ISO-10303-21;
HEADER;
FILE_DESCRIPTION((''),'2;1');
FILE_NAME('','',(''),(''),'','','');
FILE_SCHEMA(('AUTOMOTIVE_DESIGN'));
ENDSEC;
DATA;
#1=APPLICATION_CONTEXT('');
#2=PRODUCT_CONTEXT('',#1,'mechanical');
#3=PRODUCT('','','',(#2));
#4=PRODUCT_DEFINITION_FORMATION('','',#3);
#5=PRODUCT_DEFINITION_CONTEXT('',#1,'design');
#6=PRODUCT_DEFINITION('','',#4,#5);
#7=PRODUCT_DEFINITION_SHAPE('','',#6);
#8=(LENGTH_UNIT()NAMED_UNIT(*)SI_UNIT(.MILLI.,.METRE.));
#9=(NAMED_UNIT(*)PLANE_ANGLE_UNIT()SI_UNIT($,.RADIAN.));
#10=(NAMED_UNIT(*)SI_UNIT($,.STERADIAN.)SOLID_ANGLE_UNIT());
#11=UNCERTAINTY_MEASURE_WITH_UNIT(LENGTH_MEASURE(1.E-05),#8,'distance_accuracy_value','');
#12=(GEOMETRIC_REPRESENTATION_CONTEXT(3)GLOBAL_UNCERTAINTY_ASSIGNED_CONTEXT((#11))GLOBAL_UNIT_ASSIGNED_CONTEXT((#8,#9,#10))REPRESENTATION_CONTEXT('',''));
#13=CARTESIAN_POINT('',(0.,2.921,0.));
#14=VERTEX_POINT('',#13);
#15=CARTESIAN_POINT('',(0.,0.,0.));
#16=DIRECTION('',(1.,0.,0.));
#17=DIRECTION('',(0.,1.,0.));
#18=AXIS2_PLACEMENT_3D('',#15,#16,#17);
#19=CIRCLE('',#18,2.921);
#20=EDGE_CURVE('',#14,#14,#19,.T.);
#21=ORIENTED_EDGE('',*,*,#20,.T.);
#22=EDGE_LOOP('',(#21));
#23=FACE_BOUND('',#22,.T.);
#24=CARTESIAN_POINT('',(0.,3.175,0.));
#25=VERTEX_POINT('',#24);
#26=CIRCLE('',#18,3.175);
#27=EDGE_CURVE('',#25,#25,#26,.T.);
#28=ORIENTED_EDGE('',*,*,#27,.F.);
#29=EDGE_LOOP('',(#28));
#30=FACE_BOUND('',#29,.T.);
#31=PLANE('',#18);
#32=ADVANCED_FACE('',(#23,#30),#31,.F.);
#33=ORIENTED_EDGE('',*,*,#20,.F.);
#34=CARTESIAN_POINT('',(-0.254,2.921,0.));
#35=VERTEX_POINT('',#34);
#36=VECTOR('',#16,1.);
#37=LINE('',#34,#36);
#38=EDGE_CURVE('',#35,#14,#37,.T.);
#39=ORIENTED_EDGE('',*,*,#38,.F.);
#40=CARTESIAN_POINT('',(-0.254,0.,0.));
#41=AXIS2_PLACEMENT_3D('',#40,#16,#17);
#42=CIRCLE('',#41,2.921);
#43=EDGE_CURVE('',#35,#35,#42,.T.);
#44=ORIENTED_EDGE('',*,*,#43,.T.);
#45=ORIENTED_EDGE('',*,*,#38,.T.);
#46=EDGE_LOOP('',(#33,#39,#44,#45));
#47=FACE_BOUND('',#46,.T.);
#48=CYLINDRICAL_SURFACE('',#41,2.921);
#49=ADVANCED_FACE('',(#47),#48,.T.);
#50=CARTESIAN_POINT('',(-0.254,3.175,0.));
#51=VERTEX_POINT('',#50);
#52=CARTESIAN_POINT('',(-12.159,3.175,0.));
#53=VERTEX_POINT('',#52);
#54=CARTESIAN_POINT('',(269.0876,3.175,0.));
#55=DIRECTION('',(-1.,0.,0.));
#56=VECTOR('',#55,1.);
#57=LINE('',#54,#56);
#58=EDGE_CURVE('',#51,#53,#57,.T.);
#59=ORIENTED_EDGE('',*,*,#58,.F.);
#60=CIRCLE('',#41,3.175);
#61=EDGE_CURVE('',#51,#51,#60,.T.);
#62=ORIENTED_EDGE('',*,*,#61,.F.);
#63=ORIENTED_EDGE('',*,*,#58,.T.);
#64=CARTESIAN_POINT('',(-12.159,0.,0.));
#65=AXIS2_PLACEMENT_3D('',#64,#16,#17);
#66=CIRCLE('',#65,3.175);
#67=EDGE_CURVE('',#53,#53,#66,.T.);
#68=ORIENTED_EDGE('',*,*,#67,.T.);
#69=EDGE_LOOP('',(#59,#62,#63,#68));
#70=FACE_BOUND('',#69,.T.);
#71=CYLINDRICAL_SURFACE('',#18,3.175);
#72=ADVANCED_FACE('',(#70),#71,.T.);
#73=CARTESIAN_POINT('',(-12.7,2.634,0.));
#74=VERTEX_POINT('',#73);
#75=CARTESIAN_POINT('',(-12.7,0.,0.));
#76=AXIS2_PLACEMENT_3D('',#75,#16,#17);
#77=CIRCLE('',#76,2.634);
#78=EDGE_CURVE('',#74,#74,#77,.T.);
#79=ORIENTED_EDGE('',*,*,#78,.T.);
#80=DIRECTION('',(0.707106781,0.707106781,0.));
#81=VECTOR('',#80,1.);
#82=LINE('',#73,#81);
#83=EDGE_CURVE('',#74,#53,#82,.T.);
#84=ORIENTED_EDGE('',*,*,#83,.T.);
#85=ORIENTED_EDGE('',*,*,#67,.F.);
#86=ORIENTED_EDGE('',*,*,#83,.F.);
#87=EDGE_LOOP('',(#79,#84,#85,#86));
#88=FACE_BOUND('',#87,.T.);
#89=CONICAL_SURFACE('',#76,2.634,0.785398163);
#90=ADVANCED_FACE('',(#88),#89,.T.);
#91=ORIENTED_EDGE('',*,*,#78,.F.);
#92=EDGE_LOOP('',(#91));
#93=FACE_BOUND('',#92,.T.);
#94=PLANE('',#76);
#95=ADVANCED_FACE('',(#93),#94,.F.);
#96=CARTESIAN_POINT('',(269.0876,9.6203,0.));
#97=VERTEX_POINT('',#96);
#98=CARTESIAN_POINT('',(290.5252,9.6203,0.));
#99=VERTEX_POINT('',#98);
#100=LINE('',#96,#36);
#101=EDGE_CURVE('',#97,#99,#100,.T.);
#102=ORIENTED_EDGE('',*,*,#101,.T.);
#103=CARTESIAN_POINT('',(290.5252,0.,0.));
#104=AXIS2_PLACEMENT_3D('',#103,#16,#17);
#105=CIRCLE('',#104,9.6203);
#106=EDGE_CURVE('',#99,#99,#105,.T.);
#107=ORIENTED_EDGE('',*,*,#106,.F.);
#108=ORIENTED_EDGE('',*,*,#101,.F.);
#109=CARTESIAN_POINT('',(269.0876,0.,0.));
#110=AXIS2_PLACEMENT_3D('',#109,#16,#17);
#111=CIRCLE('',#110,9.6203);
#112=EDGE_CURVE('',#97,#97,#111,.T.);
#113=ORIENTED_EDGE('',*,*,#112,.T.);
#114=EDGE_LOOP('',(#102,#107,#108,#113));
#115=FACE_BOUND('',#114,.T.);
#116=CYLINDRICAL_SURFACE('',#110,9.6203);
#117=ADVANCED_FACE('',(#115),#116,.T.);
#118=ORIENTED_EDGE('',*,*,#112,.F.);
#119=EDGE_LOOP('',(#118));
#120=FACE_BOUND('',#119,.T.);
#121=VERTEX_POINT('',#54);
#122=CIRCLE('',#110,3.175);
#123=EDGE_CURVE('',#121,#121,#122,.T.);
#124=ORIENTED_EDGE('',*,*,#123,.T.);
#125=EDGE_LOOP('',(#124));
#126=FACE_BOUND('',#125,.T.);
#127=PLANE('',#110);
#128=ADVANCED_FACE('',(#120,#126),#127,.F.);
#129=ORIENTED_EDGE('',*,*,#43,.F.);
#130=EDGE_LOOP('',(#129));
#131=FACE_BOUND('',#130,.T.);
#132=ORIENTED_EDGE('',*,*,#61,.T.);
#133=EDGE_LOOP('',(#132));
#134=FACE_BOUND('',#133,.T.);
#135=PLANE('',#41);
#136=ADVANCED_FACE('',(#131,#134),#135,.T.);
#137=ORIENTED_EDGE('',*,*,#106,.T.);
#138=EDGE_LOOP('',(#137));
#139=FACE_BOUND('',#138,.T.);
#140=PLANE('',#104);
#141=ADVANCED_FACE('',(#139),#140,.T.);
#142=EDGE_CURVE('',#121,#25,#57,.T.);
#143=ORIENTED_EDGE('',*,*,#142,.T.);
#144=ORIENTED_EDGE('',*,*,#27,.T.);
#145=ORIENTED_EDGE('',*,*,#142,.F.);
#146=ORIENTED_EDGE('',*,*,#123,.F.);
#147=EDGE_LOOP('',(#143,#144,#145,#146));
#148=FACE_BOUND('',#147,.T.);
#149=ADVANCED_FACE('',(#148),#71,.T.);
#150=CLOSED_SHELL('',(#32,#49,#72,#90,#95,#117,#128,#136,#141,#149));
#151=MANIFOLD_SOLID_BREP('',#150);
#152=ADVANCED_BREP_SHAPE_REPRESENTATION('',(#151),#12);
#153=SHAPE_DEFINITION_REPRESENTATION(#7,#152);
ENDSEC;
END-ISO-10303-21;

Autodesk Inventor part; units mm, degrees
sketch "Sketch_1" plane through (0, 0, 0) normal (0, 0, 1) x (1, 0, 0)
  line L0 (290.5252, 0) -> (0, 0)
  line L1 (0, 0) -> (0, 3.175)
  line L2 (0, 3.175) -> (269.0876, 3.175)
  line L3 (269.0876, 3.175) -> (269.0876, 9.6203)
  line L4 (269.0876, 9.6203) -> (290.5252, 9.6203)
  line L5 (290.5252, 9.6203) -> (290.5252, 0)
  line L6 (290.5252, 0) -> (0, 0)
revolve "Revolution1" add sketch "Sketch_1" angle 360 about axis through (290.5252, 0, 0) along (1, 0, 0)
sketch "Sketch_3" plane through (0, 0, 0) normal (0, 0, 1) x (1, 0, 0)
  line L0 (0, 0) -> (-12.7, 0)
  line L1 (-12.7, 0) -> (-12.7, 2.634)
  line L2 (-12.7, 2.634) -> (-12.159, 3.175)
  line L3 (-12.159, 3.175) -> (0, 3.175)
  line L4 (0, 3.175) -> (0, 0)
  line L5 (0, 0) -> (-12.7, 0)
revolve "Revolution2" add sketch "Sketch_3" angle 360 about axis through (0, 0, 0) along (1, 0, 0)
thread "Thread1" size "1/4-28 UNF" class "3A" standard "ANSI Unified Screw Threads" length 12.7 offset 269.0876
sketch "Sketch_30" plane through (0, 0, 0) normal (0, 0, 1) x (1, 0, 0)
  line L0 (0, 0) -> (-0.254, 0)
  line L1 (-0.254, 3.429) -> (-0.254, 2.921)
  line L2 (-0.254, 2.921) -> (0, 2.921)
  line L3 (0, 2.921) -> (0, 3.429)
  line L4 (0, 3.429) -> (-0.254, 3.429)
revolve "Revolution3" cut sketch "Sketch_30" angle 360 about axis through (0, 0, 0) along (1, 0, 0)
ref_plane "rod_cp_XY" through (0, 0, 0) normal (1, 0, 0) x (0, 0, -1)
ref_plane "rod_cp_YZ" through (0, 0, 0) normal (0, 0, -1) x (0, 1, 0)
ref_plane "rod_cp_ZX" through (0, 0, 0) normal (0, 1, 0) x (1, 0, 0)
ref_plane "to_rod_clevis_XY" through (-12.7, 0, 0) normal (1, 0, 0) x (0, 0, -1)
ref_plane "to_rod_clevis_YZ" through (-12.7, 0, 0) normal (0, 0, -1) x (0, 1, 0)
ref_plane "to_rod_clevis_ZX" through (-12.7, 0, 0) normal (0, 1, 0) x (1, 0, 0)
ref_plane "rl2_XY" through (0, 0, 0) normal (1, 0, 0) x (0, 0, -1)
ref_plane "rl2_YZ" through (0, 0, 0) normal (0, 0, -1) x (0, 1, 0)
ref_plane "rl2_ZX" through (0, 0, 0) normal (0, 1, 0) x (1, 0, 0)
ref_plane "rl1_XY" through (-12.7, 0, 0) normal (1, 0, 0) x (0, 0, -1)
ref_plane "rl1_YZ" through (-12.7, 0, 0) normal (0, 0, -1) x (0, 1, 0)
ref_plane "rl1_ZX" through (-12.7, 0, 0) normal (0, 1, 0) x (1, 0, 0)
ref_plane "thd1_XY" through (-12.7, 3.175, 0) normal (1, 0, 0) x (0, 0, -1)
ref_plane "thd1_YZ" through (-12.7, 3.175, 0) normal (0, 0, -1) x (0, 1, 0)
ref_plane "thd1_ZX" through (-12.7, 3.175, 0) normal (0, 1, 0) x (1, 0, 0)
ref_plane "thd2_XY" through (-12.7, -3.175, 0) normal (1, 0, 0) x (0, 0, -1)
ref_plane "thd2_YZ" through (-12.7, -3.175, 0) normal (0, 0, -1) x (0, 1, 0)
ref_plane "thd2_ZX" through (-12.7, -3.175, 0) normal (0, 1, 0) x (1, 0, 0)
ref_plane "dia1_XY" through (0, 3.175, 0) normal (1, 0, 0) x (0, 0, -1)
ref_plane "dia1_YZ" through (0, 3.175, 0) normal (0, 0, -1) x (0, 1, 0)
ref_plane "dia1_ZX" through (0, 3.175, 0) normal (0, 1, 0) x (1, 0, 0)
ref_plane "dia2_XY" through (0, -3.175, 0) normal (1, 0, 0) x (0, 0, -1)
ref_plane "dia2_YZ" through (0, -3.175, 0) normal (0, 0, -1) x (0, 1, 0)
ref_plane "dia2_ZX" through (0, -3.175, 0) normal (0, 1, 0) x (1, 0, 0)
ref_plane "hh1_XY" through (320.6496, 0, 0) normal (0, 0, 1) x (1, 0, 0)
ref_plane "hh1_YZ" through (320.6496, 0, 0) normal (1, 0, 0) x (0, 1, 0)
ref_plane "hh1_ZX" through (320.6496, 0, 0) normal (0, 1, 0) x (0, 0, 1)
ref_plane "hh2_XY" through (327.0504, 0, 0) normal (0, 0, 1) x (1, 0, 0)
ref_plane "hh2_YZ" through (327.0504, 0, 0) normal (1, 0, 0) x (0, 1, 0)
ref_plane "hh2_ZX" through (327.0504, 0, 0) normal (0, 1, 0) x (0, 0, 1)
ref_plane "dia12_XY" through (0, 0, 10.9537) normal (1, 0, 0) x (0, 0, -1)
ref_plane "dia12_YZ" through (0, 0, 10.9537) normal (0, 0, -1) x (0, 1, 0)
ref_plane "dia12_ZX" through (0, 0, 10.9537) normal (0, 1, 0) x (1, 0, 0)
ref_plane "dia22_XY" through (0, 0, -10.9537) normal (1, 0, 0) x (0, 0, -1)
ref_plane "dia22_YZ" through (0, 0, -10.9537) normal (0, 0, -1) x (0, 1, 0)
ref_plane "dia22_ZX" through (0, 0, -10.9537) normal (0, 1, 0) x (1, 0, 0)
properties part number "049-DXP0_rod"
